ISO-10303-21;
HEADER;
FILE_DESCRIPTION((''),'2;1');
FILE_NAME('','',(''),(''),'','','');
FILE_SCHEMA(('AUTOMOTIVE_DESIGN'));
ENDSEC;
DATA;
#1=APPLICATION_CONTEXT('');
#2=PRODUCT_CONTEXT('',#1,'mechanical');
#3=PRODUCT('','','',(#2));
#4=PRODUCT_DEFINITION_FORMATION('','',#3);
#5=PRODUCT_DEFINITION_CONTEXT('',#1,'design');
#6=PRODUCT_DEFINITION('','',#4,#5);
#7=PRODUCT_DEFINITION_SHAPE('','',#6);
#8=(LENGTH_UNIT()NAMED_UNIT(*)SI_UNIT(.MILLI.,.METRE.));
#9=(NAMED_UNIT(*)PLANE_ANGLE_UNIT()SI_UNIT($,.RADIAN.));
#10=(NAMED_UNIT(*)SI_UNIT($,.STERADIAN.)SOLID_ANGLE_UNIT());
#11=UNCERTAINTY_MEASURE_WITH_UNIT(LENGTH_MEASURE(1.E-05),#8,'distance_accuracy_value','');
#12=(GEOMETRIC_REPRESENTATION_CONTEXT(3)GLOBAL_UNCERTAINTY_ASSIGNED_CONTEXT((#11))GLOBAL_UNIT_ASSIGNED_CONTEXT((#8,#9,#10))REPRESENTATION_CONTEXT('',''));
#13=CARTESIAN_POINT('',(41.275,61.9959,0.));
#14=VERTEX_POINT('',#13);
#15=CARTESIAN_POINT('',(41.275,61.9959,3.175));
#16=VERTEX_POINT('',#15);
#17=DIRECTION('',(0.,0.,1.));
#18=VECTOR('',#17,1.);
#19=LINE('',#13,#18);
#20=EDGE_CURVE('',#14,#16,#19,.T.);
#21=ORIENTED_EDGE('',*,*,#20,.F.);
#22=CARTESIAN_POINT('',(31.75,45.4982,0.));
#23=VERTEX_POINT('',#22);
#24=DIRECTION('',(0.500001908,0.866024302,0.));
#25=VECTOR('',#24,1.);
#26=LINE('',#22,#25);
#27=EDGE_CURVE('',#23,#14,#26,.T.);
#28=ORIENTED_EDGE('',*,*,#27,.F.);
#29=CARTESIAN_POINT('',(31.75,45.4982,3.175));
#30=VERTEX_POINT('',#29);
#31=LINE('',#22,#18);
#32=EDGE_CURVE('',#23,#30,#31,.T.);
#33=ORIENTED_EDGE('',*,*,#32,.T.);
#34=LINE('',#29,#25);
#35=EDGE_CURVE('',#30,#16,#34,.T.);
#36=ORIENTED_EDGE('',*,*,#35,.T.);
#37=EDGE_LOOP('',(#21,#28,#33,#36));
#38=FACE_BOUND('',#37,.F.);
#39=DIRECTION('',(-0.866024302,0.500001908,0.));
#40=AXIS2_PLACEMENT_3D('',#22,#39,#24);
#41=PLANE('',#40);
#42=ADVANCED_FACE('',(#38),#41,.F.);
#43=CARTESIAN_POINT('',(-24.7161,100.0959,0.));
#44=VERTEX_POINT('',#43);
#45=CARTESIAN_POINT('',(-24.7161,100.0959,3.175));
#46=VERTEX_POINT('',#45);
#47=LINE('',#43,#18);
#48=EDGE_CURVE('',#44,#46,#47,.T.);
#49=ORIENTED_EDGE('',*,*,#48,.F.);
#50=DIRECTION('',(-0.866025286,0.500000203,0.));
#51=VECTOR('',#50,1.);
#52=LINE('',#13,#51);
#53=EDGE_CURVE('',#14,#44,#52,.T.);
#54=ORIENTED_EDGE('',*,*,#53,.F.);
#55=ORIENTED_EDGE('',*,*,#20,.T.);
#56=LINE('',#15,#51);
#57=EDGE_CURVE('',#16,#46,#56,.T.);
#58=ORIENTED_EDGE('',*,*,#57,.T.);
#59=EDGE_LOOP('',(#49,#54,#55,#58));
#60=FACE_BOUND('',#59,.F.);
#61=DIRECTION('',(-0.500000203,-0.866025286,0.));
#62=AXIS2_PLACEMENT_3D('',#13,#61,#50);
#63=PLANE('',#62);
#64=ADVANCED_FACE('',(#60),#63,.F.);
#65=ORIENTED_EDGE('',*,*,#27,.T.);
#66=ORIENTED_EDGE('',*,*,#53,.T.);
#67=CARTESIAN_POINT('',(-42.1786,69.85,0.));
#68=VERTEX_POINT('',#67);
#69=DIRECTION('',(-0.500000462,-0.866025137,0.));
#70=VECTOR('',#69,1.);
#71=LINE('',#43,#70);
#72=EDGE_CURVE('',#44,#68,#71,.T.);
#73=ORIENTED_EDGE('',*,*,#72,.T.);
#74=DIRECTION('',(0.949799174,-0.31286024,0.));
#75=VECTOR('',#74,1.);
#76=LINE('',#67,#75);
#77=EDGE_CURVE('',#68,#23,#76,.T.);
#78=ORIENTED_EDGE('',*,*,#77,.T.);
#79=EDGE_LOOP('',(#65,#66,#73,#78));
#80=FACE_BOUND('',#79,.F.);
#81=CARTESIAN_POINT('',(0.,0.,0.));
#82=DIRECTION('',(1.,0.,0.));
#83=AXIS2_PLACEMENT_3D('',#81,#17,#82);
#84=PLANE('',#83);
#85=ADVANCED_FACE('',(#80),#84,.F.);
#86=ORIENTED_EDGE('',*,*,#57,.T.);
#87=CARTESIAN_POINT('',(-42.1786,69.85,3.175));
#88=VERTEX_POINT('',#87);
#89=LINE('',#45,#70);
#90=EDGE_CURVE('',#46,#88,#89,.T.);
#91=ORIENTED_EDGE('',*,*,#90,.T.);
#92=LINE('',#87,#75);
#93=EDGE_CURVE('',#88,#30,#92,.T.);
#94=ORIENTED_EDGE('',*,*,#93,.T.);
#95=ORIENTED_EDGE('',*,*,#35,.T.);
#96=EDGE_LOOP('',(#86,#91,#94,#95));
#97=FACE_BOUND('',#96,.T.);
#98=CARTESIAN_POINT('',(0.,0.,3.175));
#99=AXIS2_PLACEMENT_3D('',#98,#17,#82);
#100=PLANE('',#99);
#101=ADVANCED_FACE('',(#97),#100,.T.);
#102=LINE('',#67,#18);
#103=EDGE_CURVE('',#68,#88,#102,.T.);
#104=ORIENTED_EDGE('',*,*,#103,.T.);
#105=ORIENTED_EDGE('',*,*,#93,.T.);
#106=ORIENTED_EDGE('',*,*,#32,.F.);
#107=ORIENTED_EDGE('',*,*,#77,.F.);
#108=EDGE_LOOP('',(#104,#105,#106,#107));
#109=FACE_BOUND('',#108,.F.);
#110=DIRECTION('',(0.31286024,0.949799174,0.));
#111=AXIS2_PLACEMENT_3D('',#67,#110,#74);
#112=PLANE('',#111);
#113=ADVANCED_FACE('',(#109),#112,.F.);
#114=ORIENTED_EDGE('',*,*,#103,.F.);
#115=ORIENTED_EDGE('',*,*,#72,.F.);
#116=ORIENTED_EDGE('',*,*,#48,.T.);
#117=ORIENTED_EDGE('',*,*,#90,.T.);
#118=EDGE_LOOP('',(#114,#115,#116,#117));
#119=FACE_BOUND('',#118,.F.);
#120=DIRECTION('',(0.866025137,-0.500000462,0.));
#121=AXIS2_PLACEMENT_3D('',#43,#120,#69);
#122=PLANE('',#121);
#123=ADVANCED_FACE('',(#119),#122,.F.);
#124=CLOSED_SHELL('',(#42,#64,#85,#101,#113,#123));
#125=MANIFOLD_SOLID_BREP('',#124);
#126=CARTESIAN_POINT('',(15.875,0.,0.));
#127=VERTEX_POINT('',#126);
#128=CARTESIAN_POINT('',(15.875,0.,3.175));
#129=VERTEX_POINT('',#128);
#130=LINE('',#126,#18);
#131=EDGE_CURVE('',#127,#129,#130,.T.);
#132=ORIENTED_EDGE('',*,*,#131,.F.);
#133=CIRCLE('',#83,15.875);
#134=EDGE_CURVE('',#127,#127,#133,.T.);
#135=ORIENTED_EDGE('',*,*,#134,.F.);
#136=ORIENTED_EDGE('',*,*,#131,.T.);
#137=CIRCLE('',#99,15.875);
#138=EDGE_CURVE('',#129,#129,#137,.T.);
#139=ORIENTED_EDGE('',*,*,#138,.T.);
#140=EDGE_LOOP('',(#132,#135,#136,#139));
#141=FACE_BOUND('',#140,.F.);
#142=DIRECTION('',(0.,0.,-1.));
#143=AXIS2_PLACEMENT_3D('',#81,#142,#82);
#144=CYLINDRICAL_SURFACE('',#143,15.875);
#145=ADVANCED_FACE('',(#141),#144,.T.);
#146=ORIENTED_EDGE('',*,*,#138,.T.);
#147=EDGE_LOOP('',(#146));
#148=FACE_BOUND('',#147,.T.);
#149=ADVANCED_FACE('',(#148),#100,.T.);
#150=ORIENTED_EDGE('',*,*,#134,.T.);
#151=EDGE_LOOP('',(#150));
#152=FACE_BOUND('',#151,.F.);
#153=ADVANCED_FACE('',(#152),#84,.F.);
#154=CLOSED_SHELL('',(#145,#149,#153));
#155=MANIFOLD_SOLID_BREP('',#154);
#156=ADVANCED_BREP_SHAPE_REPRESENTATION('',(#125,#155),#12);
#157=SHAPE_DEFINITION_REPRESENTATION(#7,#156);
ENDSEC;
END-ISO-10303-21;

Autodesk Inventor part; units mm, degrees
ref_plane "YZ Plane" through (0, 0, 0) normal (1, 0, 0) x (0, 1, 0)
ref_plane "XZ Plane" through (0, 0, 0) normal (0, 1, 0) x (-1, 0, 0)
ref_plane "XY Plane" through (0, 0, 0) normal (0, 0, 1) x (1, 0, 0)
sketch "Sketch1" plane through (0, 0, 0) normal (0, 0, 1) x (1, 0, 0)
  circle A0 centre (0, 0) radius 15.875
  line L0 (18.3309, 31.75) -> (36.6617, 0) construction
  line L1 (36.6617, 0) -> (18.3309, -31.75) construction
  line L2 (18.3309, -31.75) -> (-18.3309, -31.75) construction
  line L3 (-18.3309, -31.75) -> (-36.6617, 0) construction
  line L4 (-36.6617, 0) -> (-18.3309, 31.75) construction
  line L5 (-18.3309, 31.75) -> (18.3309, 31.75) construction
  line L6 (-42.1786, 69.85) -> (31.75, 45.4982)
  line L7 (31.75, 45.4982) -> (41.275, 61.9959)
  line L8 (41.275, 61.9959) -> (-24.7161, 100.0959)
  line L9 (-24.7161, 100.0959) -> (-42.1786, 69.85)
  line L10 (0, 0) -> (69.4257, 0) construction
  dimension "d5" = 31.75
  dimension "d6" = 63.5
  dimension "d7" = 76.2
  dimension "d8" = 19.05
  dimension "d9" = 34.925
  dimension "d10" = 69.85
  dimension "d11" = 31.75
extrude "Extrusion1" add sketch "Sketch1" along normal blind 3.175
properties part number "mean machine brow"
